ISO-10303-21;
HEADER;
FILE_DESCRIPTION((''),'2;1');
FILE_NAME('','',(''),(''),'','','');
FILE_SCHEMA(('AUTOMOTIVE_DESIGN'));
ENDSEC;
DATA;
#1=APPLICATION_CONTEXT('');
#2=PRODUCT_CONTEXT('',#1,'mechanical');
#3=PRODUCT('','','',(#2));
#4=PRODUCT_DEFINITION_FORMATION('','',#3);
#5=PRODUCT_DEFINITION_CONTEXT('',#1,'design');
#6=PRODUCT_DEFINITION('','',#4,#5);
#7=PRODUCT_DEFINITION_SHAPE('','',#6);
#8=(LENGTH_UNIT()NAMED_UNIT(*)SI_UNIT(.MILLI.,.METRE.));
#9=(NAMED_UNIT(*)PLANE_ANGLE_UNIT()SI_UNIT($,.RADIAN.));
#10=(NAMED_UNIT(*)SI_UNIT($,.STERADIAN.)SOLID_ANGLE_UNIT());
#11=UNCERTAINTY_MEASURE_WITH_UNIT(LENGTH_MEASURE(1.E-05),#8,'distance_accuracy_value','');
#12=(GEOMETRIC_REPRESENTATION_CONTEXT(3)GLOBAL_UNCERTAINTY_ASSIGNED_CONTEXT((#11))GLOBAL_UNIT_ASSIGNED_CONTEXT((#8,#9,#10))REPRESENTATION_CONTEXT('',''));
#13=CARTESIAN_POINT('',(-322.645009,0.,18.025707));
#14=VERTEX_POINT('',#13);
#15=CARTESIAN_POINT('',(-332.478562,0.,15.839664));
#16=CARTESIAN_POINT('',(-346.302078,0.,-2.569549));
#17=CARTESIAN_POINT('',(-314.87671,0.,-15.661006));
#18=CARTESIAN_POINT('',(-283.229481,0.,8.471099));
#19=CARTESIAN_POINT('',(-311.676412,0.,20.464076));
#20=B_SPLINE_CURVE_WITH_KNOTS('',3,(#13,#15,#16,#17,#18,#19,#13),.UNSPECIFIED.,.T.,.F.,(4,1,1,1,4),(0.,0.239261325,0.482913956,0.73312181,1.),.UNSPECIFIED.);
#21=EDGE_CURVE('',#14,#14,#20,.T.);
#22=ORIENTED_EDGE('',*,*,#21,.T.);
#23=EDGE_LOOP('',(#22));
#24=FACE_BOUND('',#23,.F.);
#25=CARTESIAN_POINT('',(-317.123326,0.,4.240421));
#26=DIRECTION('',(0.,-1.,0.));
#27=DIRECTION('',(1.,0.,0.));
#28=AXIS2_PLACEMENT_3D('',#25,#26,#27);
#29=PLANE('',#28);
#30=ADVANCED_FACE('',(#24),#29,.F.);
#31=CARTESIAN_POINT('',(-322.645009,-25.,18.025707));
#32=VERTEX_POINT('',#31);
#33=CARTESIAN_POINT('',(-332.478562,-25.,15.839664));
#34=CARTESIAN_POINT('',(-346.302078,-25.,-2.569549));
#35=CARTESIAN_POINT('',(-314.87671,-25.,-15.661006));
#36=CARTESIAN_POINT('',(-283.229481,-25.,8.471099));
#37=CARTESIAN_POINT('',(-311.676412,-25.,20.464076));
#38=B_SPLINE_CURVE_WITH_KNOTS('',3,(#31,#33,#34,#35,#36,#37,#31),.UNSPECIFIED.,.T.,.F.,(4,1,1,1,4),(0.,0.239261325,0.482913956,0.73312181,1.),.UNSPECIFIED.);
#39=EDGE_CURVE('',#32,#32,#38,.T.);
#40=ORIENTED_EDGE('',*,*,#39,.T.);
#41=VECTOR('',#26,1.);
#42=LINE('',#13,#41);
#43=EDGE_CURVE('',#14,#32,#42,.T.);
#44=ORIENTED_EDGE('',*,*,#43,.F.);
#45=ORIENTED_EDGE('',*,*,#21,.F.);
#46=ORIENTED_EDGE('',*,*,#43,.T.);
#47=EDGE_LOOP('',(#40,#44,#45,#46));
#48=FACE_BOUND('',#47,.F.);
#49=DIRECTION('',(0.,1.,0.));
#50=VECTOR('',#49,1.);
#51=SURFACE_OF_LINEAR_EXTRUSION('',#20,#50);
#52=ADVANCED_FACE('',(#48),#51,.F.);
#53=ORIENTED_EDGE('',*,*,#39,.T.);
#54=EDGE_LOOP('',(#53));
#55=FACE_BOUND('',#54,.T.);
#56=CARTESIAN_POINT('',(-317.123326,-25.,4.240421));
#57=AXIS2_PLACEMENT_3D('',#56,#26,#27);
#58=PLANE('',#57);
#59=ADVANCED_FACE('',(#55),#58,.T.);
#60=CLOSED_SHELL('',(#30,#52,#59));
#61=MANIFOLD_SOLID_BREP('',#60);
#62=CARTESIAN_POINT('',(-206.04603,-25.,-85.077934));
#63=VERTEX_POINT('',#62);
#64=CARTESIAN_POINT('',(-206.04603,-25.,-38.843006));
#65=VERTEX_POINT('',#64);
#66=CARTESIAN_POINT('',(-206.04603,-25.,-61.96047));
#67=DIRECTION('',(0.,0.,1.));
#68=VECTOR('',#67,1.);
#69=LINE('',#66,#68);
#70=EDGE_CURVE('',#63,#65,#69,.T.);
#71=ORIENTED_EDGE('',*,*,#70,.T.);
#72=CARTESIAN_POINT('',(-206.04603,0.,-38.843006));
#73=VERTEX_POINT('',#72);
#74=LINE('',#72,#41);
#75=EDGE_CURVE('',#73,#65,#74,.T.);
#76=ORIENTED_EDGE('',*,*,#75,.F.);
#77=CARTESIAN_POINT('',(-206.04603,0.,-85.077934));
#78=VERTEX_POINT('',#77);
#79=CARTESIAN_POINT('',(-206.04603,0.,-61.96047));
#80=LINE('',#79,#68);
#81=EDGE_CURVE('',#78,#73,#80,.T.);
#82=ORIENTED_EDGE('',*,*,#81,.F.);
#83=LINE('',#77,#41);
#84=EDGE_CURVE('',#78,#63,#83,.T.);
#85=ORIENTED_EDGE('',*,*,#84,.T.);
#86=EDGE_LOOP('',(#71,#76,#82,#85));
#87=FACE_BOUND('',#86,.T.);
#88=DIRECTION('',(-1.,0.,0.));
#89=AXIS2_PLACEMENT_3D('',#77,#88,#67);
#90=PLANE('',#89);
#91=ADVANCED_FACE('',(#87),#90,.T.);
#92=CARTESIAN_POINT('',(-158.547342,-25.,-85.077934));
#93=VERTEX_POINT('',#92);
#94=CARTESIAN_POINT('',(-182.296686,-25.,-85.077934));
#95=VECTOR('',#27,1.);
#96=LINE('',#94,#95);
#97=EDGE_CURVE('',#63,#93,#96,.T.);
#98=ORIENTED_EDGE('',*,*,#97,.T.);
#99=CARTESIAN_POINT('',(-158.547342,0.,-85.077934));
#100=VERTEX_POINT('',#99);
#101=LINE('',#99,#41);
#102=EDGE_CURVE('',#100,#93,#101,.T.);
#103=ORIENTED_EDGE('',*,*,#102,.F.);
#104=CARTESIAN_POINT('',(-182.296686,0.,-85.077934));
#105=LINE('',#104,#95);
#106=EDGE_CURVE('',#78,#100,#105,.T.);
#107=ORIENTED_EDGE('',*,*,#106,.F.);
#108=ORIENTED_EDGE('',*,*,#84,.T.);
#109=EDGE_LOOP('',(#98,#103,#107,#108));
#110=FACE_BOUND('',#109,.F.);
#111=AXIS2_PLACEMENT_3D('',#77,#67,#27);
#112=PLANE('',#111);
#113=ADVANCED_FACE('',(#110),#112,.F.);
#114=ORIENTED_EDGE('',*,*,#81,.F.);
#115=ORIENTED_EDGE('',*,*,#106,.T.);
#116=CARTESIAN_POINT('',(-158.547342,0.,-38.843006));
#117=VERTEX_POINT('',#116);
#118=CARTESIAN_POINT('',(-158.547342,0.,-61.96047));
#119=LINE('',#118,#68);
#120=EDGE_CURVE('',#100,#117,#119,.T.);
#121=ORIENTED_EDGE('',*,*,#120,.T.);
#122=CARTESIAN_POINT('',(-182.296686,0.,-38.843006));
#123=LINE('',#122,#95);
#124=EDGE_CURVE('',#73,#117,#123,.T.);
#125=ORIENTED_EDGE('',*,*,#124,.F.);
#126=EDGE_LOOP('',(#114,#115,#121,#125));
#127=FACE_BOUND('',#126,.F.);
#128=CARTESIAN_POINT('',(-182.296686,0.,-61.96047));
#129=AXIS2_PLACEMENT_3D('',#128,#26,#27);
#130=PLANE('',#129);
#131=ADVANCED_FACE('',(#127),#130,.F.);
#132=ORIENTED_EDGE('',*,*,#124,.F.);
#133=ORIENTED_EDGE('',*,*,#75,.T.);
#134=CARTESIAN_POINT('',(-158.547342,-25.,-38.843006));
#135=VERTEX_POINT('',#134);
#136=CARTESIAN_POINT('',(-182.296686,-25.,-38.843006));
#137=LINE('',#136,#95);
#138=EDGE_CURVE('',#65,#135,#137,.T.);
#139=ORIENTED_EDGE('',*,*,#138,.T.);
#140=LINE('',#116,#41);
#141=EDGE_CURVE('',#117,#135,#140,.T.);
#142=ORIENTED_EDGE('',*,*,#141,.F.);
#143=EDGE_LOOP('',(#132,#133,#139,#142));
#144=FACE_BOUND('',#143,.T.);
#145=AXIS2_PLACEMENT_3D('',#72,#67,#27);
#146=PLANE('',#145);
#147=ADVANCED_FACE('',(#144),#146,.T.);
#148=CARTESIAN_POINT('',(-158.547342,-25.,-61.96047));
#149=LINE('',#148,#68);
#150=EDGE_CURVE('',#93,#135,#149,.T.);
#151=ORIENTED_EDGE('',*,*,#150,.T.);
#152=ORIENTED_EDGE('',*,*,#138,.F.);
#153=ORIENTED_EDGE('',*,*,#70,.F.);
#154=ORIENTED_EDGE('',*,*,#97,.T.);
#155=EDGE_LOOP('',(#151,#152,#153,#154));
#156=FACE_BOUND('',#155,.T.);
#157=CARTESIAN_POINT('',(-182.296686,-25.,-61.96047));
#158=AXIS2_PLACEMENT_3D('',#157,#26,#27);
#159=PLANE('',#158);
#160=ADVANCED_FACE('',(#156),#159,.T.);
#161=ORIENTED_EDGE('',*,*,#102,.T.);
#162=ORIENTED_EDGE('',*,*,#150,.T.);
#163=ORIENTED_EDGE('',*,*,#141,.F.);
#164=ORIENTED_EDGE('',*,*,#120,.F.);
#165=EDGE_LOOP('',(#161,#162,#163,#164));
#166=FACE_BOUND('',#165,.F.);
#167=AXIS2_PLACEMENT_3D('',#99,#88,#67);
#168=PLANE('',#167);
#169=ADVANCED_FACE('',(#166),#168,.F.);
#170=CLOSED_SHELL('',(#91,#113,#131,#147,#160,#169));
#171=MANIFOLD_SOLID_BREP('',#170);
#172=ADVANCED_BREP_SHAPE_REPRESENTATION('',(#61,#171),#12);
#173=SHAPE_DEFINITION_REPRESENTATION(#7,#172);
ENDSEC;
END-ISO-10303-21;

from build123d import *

# Parameters (mm, degrees)
F0_W     = 47.4986881018
F0_H     = 46.2349280715
F1_DEPTH = 25
F3_DEPTH = 25


with BuildPart() as f1:
    # F0 (on Front) → F1 (new body)
    with BuildSketch(Plane.XZ):
        with Locations((-182.2966858745, -61.9604699314)):
            Rectangle(F0_W, F0_H)
    extrude(amount=F1_DEPTH)


with BuildPart() as f3:
    # F2 (on Front) → F3 (new body)
    with BuildSketch(Plane.XZ):
        with BuildLine():
            add(Edge.make_bspline(
                [(-322.645008564, 18.0257074535), (-332.4785618301, 15.8396644121), (-346.3020783808, -2.5695494395), (-314.8767104353, -15.6610055658), (-283.2294814858, 8.4710992198), (-311.6764122248, 20.4640756661), (-322.645008564, 18.0257074535)],
                knots=[0, 0, 0, 0, 0.2392613253, 0.4829139559, 0.73312181, 1, 1, 1, 1], degree=3))
        make_face()
    extrude(amount=F3_DEPTH)


solid = Compound([f1.part, f3.part])
